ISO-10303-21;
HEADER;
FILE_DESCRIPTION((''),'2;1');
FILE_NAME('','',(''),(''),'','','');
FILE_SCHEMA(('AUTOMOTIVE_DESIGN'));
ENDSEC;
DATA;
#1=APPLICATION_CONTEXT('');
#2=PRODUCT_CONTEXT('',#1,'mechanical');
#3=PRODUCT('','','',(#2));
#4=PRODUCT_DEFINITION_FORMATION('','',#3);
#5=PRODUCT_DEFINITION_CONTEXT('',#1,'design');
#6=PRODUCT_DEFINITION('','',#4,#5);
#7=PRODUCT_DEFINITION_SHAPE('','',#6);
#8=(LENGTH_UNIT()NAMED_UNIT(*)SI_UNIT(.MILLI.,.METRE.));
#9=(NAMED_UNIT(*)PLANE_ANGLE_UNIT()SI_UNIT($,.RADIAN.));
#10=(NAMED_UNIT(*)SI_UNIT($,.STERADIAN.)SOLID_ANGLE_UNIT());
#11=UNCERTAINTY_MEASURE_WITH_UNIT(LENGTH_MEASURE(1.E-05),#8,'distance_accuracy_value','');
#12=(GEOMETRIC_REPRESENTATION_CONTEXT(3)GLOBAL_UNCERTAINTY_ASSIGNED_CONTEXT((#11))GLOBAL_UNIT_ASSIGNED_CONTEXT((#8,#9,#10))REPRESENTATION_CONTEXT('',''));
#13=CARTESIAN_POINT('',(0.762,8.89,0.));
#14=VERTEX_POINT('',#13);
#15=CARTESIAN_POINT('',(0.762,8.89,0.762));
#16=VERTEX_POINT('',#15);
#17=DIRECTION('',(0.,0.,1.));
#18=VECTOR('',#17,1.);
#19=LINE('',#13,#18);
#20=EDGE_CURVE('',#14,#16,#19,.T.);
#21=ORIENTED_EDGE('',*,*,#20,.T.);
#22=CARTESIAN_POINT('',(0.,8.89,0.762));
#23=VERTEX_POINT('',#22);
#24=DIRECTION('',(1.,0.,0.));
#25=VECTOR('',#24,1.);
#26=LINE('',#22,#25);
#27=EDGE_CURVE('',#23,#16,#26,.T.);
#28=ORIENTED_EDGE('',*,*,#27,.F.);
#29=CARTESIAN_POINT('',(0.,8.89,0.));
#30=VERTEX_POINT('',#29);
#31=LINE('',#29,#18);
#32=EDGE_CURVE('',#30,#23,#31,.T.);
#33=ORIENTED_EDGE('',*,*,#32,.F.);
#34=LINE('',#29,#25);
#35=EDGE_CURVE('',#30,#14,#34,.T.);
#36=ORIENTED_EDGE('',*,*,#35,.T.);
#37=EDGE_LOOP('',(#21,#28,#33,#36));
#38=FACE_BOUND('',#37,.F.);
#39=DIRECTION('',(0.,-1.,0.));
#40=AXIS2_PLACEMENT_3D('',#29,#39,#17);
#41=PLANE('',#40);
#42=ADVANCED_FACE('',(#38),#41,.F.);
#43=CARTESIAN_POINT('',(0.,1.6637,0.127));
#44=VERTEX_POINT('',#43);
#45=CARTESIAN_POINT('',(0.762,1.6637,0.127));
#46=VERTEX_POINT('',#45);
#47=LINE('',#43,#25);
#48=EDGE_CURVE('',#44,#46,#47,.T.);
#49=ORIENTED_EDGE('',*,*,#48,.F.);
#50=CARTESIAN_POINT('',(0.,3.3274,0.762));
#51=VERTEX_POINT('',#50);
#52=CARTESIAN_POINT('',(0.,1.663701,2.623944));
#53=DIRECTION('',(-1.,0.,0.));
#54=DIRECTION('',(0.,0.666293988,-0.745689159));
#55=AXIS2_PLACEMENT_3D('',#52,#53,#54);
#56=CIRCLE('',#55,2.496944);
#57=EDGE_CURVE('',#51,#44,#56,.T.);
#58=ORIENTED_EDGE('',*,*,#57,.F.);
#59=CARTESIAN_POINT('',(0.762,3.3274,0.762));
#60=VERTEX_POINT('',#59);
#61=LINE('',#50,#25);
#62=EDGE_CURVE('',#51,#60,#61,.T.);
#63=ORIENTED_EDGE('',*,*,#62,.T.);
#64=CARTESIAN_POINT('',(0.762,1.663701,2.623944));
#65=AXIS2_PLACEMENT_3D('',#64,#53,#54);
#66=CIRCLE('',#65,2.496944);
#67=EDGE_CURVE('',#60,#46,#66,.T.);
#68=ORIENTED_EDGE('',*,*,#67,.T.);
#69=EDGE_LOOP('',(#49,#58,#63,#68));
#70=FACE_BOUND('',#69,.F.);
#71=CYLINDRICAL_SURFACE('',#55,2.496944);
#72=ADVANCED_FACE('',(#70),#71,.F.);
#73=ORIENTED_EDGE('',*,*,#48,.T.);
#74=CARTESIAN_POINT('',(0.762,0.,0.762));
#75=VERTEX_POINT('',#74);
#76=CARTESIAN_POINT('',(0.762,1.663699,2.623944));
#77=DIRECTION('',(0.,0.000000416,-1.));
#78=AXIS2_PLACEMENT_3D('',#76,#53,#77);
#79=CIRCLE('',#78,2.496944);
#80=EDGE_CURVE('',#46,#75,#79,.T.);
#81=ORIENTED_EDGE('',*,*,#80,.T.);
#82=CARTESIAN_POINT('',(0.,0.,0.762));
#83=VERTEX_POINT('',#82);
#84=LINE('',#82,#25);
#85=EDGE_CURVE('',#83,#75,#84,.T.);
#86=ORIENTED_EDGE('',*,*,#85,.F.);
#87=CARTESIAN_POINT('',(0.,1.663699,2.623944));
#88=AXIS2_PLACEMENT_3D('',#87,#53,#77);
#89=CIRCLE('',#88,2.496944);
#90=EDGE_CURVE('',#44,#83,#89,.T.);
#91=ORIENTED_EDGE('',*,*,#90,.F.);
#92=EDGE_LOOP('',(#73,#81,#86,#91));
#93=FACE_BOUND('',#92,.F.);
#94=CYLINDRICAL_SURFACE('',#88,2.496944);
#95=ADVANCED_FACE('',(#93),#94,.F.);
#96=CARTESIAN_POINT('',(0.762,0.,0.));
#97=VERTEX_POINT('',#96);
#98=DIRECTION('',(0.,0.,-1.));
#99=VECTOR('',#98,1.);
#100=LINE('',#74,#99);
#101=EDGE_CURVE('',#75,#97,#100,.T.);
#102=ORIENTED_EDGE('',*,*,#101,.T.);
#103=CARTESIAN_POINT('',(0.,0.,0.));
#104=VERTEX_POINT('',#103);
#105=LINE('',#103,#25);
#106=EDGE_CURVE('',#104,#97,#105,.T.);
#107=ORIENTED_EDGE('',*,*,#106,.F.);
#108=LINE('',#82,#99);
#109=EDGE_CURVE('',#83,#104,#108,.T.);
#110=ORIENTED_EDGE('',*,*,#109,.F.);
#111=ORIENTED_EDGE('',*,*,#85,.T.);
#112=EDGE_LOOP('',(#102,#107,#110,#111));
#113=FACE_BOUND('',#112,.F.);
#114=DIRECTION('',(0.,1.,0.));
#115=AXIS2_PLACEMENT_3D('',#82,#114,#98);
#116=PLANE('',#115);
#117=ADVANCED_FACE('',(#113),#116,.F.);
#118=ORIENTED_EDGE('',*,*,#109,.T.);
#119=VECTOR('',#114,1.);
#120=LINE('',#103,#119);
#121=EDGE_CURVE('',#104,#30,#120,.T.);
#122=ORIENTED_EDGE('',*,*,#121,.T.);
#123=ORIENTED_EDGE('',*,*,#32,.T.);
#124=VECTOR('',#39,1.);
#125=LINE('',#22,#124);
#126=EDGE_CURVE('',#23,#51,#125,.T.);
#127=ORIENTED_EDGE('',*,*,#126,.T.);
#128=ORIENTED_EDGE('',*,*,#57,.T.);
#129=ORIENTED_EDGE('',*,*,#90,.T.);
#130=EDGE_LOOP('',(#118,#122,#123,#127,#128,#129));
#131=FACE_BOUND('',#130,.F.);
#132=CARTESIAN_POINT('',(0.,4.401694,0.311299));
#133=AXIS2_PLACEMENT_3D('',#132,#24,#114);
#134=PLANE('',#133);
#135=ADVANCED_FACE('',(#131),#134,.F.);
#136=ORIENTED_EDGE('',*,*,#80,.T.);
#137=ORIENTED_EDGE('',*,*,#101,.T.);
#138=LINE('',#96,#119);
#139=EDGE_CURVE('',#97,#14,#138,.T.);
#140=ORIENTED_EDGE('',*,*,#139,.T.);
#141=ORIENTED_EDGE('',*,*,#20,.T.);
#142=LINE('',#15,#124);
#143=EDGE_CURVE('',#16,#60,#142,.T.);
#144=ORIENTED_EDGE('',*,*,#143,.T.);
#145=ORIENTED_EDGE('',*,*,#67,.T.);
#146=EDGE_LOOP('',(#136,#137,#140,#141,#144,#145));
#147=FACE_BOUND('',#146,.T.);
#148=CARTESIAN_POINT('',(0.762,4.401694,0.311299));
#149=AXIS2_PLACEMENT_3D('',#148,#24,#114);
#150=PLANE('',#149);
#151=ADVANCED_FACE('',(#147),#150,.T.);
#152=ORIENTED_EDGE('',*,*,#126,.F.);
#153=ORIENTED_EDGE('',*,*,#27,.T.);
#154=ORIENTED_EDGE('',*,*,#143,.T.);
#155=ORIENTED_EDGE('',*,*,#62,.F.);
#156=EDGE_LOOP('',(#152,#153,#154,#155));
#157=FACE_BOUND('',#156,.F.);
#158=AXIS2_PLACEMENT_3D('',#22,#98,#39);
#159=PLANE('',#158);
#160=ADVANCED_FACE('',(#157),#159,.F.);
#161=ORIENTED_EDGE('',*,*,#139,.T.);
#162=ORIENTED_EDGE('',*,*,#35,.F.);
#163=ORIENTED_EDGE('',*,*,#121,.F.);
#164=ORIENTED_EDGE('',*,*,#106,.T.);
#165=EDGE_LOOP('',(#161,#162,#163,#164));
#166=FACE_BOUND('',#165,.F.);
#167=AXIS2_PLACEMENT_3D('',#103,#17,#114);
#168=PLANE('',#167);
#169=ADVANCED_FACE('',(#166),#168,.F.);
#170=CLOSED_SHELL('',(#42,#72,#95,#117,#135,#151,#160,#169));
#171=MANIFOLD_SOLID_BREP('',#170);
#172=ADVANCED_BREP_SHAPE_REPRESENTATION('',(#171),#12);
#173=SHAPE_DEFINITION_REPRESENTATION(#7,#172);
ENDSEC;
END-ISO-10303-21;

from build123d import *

# Parameters (mm, degrees)
F1_DEPTH = 0.762


with BuildPart() as f1:
    # F0 (on Right) → F1 (new body)
    with BuildSketch(Plane.YZ):
        with BuildLine():
            Line((0, 0.762), (0, 0))
            Line((0, 0), (8.89, 0))
            Line((8.89, 0), (8.89, 0.762))
            Line((8.89, 0.762), (7.2263, 0.762))
            Line((7.2263, 0.762), (5.5626, 0.762))
            Line((5.5626, 0.762), (3.3274, 0.762))
            ThreePointArc((3.3274, 0.762), (2.554082, 0.291145), (1.6637, 0.127))
            ThreePointArc((1.6637, 0.127), (0.773318, 0.291145), (0, 0.762))
        make_face()
    extrude(amount=F1_DEPTH)


solid = f1.part
